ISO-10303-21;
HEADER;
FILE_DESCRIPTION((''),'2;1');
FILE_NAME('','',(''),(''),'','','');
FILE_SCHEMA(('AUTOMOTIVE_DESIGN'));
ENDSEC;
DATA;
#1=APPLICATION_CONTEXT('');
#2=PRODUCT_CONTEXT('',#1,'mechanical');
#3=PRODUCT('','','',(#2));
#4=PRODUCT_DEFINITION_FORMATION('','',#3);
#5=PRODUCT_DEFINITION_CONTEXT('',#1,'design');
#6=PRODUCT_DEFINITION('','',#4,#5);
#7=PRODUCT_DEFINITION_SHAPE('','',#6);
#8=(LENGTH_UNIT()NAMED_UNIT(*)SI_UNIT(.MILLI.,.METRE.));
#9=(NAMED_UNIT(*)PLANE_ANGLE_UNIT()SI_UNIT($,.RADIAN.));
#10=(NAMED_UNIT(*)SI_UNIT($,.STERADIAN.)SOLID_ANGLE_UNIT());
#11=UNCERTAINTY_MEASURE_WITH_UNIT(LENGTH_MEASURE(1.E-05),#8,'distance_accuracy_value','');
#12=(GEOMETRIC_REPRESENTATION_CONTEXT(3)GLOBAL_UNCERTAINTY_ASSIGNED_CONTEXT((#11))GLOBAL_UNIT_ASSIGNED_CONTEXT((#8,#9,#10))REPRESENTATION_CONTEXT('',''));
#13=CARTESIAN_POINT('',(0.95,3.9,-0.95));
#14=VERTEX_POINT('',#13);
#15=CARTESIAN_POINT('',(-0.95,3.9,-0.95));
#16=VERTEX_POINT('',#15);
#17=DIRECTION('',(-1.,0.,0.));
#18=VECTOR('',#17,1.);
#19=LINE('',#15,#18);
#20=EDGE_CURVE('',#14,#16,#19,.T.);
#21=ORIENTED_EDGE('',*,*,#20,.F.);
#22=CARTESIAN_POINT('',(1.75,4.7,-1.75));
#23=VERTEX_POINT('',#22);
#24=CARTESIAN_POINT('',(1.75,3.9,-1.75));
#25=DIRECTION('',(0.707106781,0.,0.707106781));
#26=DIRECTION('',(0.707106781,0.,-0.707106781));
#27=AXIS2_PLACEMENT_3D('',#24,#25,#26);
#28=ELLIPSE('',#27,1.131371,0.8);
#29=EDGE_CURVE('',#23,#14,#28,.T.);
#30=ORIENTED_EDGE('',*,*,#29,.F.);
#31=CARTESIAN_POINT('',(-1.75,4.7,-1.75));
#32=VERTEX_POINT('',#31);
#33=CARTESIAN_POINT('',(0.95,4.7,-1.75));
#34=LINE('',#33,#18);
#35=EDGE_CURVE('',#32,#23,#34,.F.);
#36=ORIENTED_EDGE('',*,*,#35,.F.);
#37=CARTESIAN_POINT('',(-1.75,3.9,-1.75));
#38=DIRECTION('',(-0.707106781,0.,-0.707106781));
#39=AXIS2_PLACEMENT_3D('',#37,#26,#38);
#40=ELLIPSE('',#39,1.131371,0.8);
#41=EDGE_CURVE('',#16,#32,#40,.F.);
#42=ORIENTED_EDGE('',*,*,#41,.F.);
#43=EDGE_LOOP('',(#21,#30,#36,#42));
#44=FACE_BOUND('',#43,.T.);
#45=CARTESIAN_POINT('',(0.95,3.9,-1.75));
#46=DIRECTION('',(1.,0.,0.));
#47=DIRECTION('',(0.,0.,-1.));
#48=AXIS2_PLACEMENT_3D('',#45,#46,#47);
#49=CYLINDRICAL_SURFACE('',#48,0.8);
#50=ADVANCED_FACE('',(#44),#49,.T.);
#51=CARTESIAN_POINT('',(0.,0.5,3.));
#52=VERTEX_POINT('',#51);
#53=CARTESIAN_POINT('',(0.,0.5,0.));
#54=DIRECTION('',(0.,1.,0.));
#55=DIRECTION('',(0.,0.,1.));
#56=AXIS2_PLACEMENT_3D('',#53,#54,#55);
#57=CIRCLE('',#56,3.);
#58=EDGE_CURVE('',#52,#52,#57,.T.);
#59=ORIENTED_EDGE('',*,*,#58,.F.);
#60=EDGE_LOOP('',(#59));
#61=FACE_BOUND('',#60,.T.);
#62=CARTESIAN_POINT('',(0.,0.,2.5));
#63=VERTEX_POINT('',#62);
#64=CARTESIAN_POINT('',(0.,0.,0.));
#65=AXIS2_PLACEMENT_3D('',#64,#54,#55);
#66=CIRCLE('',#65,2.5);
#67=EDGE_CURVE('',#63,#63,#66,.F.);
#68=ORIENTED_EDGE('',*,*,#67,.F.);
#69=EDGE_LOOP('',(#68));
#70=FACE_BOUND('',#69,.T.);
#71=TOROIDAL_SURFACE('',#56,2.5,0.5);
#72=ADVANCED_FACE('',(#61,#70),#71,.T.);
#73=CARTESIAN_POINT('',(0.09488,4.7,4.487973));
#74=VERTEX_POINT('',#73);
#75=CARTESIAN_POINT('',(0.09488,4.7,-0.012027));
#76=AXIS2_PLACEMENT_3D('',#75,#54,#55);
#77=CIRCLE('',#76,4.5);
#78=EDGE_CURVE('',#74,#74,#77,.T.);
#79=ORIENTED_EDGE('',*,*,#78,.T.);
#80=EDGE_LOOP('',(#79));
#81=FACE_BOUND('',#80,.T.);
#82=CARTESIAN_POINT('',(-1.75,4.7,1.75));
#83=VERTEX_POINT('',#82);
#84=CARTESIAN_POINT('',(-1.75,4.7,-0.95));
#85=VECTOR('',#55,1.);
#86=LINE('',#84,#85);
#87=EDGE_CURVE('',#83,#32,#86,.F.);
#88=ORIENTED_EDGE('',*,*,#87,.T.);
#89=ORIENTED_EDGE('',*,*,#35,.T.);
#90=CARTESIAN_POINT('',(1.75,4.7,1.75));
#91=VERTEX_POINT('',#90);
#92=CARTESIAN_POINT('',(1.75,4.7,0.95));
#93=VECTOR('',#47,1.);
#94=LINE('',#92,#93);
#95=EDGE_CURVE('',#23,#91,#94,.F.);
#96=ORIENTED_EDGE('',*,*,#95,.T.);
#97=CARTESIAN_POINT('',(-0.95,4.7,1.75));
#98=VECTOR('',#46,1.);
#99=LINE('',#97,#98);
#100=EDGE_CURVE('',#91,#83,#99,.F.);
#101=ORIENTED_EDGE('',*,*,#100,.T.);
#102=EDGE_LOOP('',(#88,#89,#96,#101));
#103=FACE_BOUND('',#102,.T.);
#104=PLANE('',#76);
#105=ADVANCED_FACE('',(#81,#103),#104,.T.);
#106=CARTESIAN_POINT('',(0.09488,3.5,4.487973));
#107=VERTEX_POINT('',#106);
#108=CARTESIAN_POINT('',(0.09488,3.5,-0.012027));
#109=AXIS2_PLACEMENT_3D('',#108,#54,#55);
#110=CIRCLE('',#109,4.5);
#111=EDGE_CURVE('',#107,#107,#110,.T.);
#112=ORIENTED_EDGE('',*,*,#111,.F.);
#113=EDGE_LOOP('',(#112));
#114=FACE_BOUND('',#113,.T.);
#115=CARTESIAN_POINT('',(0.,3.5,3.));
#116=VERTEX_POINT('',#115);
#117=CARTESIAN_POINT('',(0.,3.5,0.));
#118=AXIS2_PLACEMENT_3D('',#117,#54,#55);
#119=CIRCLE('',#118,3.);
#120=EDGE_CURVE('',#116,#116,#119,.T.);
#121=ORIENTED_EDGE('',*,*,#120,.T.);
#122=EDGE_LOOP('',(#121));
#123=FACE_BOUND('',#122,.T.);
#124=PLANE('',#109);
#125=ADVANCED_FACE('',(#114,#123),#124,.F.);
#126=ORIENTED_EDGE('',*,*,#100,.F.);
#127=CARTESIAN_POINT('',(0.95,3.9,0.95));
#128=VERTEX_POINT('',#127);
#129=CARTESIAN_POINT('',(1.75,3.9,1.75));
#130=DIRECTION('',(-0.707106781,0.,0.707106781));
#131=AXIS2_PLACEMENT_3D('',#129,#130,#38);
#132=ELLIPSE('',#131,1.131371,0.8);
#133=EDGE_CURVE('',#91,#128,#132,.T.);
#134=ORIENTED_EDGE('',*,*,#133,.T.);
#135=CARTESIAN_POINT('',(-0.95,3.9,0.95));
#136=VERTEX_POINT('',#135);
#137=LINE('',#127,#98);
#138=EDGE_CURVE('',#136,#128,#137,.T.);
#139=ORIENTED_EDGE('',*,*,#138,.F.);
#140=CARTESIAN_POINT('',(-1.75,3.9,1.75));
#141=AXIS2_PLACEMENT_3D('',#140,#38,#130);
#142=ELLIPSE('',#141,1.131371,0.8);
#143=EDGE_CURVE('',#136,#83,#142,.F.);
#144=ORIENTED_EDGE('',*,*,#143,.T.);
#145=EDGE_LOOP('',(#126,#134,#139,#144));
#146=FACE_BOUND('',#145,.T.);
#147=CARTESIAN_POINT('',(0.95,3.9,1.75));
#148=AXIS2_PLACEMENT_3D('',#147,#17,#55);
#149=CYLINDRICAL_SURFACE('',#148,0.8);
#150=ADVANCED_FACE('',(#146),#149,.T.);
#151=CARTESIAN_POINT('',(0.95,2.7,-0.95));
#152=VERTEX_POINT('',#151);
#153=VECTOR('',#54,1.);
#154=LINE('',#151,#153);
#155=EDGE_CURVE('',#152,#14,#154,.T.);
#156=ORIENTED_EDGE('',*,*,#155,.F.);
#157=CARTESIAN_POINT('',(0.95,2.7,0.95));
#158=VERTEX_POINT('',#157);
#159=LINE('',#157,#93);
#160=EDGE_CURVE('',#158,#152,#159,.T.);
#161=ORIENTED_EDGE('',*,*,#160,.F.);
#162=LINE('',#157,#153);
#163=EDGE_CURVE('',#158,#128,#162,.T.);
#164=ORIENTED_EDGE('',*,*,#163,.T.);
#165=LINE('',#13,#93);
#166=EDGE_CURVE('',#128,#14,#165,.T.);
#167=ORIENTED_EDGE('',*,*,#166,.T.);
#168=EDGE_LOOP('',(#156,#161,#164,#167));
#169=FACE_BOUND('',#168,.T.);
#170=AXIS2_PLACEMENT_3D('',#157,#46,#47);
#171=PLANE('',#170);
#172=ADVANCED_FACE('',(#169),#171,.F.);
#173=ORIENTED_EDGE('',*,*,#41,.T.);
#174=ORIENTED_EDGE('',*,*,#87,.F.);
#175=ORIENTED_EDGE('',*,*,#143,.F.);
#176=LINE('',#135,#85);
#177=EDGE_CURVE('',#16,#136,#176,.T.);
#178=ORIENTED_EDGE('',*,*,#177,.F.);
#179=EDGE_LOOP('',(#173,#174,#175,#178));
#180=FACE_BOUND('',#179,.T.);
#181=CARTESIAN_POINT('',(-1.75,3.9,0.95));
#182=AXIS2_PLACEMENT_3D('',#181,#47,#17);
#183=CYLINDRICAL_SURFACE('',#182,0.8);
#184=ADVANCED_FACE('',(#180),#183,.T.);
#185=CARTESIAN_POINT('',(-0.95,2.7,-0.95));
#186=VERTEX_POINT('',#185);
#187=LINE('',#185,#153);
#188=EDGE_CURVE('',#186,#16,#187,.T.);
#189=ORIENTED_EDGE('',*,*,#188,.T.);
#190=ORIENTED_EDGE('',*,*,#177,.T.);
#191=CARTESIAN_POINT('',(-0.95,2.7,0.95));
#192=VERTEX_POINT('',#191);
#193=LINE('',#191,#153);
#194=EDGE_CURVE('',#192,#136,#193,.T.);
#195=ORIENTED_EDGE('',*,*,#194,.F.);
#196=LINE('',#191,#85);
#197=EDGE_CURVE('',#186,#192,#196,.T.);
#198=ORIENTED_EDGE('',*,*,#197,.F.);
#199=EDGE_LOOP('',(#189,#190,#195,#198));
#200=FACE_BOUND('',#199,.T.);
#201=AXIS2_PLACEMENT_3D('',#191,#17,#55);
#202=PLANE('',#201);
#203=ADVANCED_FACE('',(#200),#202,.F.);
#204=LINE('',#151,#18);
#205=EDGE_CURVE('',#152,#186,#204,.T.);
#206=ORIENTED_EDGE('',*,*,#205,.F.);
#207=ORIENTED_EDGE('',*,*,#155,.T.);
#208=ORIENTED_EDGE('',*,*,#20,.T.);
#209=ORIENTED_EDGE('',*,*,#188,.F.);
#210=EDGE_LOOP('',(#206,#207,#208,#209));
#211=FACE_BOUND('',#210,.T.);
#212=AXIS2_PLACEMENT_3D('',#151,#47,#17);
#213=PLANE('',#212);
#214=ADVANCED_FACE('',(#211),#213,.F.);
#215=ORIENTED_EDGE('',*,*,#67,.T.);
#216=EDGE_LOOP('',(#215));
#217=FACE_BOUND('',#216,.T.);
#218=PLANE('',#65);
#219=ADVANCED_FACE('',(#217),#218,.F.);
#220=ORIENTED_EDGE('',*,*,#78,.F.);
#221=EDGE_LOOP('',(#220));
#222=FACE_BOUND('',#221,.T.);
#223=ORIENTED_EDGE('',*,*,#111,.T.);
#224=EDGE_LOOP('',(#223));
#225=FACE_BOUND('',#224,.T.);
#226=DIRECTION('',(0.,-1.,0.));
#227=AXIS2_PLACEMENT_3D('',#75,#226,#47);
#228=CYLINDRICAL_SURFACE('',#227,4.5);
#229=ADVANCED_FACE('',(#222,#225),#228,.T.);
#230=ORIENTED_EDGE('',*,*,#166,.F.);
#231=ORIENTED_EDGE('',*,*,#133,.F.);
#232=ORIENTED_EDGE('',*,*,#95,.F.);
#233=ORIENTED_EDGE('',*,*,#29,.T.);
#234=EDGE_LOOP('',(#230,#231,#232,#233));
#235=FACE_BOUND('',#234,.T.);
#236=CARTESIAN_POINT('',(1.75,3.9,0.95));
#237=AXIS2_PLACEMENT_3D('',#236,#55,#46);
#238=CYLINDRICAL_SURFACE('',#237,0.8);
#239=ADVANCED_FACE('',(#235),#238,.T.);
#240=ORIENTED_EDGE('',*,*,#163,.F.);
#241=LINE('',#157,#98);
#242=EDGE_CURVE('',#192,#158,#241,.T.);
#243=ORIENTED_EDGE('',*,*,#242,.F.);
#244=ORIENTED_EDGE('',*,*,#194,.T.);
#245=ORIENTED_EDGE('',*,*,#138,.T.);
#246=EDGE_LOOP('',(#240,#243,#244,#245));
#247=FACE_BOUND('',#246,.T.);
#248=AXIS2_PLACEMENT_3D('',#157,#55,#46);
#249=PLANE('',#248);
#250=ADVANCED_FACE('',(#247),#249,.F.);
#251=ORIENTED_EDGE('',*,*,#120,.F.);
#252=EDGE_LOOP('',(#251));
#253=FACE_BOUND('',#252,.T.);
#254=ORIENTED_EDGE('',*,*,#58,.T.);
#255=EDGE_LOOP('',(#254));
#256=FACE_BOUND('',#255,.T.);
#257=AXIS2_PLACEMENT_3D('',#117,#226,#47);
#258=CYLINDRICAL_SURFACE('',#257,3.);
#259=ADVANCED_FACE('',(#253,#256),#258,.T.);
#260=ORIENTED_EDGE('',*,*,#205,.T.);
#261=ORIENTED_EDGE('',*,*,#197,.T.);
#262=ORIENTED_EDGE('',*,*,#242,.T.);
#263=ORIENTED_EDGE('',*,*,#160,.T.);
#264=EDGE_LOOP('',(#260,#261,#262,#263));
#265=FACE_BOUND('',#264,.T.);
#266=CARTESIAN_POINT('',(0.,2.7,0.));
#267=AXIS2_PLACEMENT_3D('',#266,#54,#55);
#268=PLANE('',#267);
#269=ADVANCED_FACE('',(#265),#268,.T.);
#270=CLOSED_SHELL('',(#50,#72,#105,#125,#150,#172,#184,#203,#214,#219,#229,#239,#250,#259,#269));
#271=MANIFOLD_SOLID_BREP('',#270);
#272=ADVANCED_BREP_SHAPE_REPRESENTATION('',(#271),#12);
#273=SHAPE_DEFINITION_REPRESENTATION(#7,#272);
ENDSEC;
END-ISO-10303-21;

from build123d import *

# Parameters (mm, degrees)
SKETCH_1_R          = 3
EXTRUDE_1_DEPTH     = 3.5
SKETCH_2_R          = 4.5
EXTRUDE_2_DEPTH     = 1.2
SKETCH_4_W          = 1.9
SKETCH_4_H          = 1.9
CUT_EXTRUDE_1_DEPTH = 2
FILLET_1_R          = 0.5
FILLET_2_R          = 0.8


with BuildPart() as part:
    # 草图1 → 凸台-拉伸1 (new body)
    with BuildSketch(Plane(origin=(0, 0, 0), x_dir=(1, 0, 0), z_dir=(0, 1, 0))):
        with Locations(Location((0, 0, 0), (0, 0, 270))):
            Circle(SKETCH_1_R)
    extrude(amount=EXTRUDE_1_DEPTH)

    # 草图2 → 凸台-拉伸2 (add)
    with BuildSketch(Plane(origin=(0, 3.5, 0), x_dir=(1, 0, 0), z_dir=(0, 1, 0))):
        with Locations(Location((0.094879954, 0.012027373, 0), (0, 0, 270))):
            Circle(SKETCH_2_R)
    extrude(amount=EXTRUDE_2_DEPTH)

    # 草图4 → 切除-拉伸1 (cut)
    with BuildSketch(Plane(origin=(0, 4.7, 0), x_dir=(1, 0, 0), z_dir=(0, 1, 0))):
        Rectangle(SKETCH_4_W, SKETCH_4_H)
    extrude(amount=-CUT_EXTRUDE_1_DEPTH, mode=Mode.SUBTRACT)

    # 圆角1
    fillet_1_edges = [part.edges().sort_by_distance(p)[0] for p in [
        (0, 0, -3),
    ]]
    fillet(fillet_1_edges, radius=FILLET_1_R)

    # 圆角2
    fillet_2_edges = [part.edges().sort_by_distance(p)[0] for p in [
        (-0.95, 4.7, 0),
        (0, 4.7, 0.95),
        (0.95, 4.7, 0),
        (0, 4.7, -0.95),
    ]]
    fillet(fillet_2_edges, radius=FILLET_2_R)


solid = part.part
